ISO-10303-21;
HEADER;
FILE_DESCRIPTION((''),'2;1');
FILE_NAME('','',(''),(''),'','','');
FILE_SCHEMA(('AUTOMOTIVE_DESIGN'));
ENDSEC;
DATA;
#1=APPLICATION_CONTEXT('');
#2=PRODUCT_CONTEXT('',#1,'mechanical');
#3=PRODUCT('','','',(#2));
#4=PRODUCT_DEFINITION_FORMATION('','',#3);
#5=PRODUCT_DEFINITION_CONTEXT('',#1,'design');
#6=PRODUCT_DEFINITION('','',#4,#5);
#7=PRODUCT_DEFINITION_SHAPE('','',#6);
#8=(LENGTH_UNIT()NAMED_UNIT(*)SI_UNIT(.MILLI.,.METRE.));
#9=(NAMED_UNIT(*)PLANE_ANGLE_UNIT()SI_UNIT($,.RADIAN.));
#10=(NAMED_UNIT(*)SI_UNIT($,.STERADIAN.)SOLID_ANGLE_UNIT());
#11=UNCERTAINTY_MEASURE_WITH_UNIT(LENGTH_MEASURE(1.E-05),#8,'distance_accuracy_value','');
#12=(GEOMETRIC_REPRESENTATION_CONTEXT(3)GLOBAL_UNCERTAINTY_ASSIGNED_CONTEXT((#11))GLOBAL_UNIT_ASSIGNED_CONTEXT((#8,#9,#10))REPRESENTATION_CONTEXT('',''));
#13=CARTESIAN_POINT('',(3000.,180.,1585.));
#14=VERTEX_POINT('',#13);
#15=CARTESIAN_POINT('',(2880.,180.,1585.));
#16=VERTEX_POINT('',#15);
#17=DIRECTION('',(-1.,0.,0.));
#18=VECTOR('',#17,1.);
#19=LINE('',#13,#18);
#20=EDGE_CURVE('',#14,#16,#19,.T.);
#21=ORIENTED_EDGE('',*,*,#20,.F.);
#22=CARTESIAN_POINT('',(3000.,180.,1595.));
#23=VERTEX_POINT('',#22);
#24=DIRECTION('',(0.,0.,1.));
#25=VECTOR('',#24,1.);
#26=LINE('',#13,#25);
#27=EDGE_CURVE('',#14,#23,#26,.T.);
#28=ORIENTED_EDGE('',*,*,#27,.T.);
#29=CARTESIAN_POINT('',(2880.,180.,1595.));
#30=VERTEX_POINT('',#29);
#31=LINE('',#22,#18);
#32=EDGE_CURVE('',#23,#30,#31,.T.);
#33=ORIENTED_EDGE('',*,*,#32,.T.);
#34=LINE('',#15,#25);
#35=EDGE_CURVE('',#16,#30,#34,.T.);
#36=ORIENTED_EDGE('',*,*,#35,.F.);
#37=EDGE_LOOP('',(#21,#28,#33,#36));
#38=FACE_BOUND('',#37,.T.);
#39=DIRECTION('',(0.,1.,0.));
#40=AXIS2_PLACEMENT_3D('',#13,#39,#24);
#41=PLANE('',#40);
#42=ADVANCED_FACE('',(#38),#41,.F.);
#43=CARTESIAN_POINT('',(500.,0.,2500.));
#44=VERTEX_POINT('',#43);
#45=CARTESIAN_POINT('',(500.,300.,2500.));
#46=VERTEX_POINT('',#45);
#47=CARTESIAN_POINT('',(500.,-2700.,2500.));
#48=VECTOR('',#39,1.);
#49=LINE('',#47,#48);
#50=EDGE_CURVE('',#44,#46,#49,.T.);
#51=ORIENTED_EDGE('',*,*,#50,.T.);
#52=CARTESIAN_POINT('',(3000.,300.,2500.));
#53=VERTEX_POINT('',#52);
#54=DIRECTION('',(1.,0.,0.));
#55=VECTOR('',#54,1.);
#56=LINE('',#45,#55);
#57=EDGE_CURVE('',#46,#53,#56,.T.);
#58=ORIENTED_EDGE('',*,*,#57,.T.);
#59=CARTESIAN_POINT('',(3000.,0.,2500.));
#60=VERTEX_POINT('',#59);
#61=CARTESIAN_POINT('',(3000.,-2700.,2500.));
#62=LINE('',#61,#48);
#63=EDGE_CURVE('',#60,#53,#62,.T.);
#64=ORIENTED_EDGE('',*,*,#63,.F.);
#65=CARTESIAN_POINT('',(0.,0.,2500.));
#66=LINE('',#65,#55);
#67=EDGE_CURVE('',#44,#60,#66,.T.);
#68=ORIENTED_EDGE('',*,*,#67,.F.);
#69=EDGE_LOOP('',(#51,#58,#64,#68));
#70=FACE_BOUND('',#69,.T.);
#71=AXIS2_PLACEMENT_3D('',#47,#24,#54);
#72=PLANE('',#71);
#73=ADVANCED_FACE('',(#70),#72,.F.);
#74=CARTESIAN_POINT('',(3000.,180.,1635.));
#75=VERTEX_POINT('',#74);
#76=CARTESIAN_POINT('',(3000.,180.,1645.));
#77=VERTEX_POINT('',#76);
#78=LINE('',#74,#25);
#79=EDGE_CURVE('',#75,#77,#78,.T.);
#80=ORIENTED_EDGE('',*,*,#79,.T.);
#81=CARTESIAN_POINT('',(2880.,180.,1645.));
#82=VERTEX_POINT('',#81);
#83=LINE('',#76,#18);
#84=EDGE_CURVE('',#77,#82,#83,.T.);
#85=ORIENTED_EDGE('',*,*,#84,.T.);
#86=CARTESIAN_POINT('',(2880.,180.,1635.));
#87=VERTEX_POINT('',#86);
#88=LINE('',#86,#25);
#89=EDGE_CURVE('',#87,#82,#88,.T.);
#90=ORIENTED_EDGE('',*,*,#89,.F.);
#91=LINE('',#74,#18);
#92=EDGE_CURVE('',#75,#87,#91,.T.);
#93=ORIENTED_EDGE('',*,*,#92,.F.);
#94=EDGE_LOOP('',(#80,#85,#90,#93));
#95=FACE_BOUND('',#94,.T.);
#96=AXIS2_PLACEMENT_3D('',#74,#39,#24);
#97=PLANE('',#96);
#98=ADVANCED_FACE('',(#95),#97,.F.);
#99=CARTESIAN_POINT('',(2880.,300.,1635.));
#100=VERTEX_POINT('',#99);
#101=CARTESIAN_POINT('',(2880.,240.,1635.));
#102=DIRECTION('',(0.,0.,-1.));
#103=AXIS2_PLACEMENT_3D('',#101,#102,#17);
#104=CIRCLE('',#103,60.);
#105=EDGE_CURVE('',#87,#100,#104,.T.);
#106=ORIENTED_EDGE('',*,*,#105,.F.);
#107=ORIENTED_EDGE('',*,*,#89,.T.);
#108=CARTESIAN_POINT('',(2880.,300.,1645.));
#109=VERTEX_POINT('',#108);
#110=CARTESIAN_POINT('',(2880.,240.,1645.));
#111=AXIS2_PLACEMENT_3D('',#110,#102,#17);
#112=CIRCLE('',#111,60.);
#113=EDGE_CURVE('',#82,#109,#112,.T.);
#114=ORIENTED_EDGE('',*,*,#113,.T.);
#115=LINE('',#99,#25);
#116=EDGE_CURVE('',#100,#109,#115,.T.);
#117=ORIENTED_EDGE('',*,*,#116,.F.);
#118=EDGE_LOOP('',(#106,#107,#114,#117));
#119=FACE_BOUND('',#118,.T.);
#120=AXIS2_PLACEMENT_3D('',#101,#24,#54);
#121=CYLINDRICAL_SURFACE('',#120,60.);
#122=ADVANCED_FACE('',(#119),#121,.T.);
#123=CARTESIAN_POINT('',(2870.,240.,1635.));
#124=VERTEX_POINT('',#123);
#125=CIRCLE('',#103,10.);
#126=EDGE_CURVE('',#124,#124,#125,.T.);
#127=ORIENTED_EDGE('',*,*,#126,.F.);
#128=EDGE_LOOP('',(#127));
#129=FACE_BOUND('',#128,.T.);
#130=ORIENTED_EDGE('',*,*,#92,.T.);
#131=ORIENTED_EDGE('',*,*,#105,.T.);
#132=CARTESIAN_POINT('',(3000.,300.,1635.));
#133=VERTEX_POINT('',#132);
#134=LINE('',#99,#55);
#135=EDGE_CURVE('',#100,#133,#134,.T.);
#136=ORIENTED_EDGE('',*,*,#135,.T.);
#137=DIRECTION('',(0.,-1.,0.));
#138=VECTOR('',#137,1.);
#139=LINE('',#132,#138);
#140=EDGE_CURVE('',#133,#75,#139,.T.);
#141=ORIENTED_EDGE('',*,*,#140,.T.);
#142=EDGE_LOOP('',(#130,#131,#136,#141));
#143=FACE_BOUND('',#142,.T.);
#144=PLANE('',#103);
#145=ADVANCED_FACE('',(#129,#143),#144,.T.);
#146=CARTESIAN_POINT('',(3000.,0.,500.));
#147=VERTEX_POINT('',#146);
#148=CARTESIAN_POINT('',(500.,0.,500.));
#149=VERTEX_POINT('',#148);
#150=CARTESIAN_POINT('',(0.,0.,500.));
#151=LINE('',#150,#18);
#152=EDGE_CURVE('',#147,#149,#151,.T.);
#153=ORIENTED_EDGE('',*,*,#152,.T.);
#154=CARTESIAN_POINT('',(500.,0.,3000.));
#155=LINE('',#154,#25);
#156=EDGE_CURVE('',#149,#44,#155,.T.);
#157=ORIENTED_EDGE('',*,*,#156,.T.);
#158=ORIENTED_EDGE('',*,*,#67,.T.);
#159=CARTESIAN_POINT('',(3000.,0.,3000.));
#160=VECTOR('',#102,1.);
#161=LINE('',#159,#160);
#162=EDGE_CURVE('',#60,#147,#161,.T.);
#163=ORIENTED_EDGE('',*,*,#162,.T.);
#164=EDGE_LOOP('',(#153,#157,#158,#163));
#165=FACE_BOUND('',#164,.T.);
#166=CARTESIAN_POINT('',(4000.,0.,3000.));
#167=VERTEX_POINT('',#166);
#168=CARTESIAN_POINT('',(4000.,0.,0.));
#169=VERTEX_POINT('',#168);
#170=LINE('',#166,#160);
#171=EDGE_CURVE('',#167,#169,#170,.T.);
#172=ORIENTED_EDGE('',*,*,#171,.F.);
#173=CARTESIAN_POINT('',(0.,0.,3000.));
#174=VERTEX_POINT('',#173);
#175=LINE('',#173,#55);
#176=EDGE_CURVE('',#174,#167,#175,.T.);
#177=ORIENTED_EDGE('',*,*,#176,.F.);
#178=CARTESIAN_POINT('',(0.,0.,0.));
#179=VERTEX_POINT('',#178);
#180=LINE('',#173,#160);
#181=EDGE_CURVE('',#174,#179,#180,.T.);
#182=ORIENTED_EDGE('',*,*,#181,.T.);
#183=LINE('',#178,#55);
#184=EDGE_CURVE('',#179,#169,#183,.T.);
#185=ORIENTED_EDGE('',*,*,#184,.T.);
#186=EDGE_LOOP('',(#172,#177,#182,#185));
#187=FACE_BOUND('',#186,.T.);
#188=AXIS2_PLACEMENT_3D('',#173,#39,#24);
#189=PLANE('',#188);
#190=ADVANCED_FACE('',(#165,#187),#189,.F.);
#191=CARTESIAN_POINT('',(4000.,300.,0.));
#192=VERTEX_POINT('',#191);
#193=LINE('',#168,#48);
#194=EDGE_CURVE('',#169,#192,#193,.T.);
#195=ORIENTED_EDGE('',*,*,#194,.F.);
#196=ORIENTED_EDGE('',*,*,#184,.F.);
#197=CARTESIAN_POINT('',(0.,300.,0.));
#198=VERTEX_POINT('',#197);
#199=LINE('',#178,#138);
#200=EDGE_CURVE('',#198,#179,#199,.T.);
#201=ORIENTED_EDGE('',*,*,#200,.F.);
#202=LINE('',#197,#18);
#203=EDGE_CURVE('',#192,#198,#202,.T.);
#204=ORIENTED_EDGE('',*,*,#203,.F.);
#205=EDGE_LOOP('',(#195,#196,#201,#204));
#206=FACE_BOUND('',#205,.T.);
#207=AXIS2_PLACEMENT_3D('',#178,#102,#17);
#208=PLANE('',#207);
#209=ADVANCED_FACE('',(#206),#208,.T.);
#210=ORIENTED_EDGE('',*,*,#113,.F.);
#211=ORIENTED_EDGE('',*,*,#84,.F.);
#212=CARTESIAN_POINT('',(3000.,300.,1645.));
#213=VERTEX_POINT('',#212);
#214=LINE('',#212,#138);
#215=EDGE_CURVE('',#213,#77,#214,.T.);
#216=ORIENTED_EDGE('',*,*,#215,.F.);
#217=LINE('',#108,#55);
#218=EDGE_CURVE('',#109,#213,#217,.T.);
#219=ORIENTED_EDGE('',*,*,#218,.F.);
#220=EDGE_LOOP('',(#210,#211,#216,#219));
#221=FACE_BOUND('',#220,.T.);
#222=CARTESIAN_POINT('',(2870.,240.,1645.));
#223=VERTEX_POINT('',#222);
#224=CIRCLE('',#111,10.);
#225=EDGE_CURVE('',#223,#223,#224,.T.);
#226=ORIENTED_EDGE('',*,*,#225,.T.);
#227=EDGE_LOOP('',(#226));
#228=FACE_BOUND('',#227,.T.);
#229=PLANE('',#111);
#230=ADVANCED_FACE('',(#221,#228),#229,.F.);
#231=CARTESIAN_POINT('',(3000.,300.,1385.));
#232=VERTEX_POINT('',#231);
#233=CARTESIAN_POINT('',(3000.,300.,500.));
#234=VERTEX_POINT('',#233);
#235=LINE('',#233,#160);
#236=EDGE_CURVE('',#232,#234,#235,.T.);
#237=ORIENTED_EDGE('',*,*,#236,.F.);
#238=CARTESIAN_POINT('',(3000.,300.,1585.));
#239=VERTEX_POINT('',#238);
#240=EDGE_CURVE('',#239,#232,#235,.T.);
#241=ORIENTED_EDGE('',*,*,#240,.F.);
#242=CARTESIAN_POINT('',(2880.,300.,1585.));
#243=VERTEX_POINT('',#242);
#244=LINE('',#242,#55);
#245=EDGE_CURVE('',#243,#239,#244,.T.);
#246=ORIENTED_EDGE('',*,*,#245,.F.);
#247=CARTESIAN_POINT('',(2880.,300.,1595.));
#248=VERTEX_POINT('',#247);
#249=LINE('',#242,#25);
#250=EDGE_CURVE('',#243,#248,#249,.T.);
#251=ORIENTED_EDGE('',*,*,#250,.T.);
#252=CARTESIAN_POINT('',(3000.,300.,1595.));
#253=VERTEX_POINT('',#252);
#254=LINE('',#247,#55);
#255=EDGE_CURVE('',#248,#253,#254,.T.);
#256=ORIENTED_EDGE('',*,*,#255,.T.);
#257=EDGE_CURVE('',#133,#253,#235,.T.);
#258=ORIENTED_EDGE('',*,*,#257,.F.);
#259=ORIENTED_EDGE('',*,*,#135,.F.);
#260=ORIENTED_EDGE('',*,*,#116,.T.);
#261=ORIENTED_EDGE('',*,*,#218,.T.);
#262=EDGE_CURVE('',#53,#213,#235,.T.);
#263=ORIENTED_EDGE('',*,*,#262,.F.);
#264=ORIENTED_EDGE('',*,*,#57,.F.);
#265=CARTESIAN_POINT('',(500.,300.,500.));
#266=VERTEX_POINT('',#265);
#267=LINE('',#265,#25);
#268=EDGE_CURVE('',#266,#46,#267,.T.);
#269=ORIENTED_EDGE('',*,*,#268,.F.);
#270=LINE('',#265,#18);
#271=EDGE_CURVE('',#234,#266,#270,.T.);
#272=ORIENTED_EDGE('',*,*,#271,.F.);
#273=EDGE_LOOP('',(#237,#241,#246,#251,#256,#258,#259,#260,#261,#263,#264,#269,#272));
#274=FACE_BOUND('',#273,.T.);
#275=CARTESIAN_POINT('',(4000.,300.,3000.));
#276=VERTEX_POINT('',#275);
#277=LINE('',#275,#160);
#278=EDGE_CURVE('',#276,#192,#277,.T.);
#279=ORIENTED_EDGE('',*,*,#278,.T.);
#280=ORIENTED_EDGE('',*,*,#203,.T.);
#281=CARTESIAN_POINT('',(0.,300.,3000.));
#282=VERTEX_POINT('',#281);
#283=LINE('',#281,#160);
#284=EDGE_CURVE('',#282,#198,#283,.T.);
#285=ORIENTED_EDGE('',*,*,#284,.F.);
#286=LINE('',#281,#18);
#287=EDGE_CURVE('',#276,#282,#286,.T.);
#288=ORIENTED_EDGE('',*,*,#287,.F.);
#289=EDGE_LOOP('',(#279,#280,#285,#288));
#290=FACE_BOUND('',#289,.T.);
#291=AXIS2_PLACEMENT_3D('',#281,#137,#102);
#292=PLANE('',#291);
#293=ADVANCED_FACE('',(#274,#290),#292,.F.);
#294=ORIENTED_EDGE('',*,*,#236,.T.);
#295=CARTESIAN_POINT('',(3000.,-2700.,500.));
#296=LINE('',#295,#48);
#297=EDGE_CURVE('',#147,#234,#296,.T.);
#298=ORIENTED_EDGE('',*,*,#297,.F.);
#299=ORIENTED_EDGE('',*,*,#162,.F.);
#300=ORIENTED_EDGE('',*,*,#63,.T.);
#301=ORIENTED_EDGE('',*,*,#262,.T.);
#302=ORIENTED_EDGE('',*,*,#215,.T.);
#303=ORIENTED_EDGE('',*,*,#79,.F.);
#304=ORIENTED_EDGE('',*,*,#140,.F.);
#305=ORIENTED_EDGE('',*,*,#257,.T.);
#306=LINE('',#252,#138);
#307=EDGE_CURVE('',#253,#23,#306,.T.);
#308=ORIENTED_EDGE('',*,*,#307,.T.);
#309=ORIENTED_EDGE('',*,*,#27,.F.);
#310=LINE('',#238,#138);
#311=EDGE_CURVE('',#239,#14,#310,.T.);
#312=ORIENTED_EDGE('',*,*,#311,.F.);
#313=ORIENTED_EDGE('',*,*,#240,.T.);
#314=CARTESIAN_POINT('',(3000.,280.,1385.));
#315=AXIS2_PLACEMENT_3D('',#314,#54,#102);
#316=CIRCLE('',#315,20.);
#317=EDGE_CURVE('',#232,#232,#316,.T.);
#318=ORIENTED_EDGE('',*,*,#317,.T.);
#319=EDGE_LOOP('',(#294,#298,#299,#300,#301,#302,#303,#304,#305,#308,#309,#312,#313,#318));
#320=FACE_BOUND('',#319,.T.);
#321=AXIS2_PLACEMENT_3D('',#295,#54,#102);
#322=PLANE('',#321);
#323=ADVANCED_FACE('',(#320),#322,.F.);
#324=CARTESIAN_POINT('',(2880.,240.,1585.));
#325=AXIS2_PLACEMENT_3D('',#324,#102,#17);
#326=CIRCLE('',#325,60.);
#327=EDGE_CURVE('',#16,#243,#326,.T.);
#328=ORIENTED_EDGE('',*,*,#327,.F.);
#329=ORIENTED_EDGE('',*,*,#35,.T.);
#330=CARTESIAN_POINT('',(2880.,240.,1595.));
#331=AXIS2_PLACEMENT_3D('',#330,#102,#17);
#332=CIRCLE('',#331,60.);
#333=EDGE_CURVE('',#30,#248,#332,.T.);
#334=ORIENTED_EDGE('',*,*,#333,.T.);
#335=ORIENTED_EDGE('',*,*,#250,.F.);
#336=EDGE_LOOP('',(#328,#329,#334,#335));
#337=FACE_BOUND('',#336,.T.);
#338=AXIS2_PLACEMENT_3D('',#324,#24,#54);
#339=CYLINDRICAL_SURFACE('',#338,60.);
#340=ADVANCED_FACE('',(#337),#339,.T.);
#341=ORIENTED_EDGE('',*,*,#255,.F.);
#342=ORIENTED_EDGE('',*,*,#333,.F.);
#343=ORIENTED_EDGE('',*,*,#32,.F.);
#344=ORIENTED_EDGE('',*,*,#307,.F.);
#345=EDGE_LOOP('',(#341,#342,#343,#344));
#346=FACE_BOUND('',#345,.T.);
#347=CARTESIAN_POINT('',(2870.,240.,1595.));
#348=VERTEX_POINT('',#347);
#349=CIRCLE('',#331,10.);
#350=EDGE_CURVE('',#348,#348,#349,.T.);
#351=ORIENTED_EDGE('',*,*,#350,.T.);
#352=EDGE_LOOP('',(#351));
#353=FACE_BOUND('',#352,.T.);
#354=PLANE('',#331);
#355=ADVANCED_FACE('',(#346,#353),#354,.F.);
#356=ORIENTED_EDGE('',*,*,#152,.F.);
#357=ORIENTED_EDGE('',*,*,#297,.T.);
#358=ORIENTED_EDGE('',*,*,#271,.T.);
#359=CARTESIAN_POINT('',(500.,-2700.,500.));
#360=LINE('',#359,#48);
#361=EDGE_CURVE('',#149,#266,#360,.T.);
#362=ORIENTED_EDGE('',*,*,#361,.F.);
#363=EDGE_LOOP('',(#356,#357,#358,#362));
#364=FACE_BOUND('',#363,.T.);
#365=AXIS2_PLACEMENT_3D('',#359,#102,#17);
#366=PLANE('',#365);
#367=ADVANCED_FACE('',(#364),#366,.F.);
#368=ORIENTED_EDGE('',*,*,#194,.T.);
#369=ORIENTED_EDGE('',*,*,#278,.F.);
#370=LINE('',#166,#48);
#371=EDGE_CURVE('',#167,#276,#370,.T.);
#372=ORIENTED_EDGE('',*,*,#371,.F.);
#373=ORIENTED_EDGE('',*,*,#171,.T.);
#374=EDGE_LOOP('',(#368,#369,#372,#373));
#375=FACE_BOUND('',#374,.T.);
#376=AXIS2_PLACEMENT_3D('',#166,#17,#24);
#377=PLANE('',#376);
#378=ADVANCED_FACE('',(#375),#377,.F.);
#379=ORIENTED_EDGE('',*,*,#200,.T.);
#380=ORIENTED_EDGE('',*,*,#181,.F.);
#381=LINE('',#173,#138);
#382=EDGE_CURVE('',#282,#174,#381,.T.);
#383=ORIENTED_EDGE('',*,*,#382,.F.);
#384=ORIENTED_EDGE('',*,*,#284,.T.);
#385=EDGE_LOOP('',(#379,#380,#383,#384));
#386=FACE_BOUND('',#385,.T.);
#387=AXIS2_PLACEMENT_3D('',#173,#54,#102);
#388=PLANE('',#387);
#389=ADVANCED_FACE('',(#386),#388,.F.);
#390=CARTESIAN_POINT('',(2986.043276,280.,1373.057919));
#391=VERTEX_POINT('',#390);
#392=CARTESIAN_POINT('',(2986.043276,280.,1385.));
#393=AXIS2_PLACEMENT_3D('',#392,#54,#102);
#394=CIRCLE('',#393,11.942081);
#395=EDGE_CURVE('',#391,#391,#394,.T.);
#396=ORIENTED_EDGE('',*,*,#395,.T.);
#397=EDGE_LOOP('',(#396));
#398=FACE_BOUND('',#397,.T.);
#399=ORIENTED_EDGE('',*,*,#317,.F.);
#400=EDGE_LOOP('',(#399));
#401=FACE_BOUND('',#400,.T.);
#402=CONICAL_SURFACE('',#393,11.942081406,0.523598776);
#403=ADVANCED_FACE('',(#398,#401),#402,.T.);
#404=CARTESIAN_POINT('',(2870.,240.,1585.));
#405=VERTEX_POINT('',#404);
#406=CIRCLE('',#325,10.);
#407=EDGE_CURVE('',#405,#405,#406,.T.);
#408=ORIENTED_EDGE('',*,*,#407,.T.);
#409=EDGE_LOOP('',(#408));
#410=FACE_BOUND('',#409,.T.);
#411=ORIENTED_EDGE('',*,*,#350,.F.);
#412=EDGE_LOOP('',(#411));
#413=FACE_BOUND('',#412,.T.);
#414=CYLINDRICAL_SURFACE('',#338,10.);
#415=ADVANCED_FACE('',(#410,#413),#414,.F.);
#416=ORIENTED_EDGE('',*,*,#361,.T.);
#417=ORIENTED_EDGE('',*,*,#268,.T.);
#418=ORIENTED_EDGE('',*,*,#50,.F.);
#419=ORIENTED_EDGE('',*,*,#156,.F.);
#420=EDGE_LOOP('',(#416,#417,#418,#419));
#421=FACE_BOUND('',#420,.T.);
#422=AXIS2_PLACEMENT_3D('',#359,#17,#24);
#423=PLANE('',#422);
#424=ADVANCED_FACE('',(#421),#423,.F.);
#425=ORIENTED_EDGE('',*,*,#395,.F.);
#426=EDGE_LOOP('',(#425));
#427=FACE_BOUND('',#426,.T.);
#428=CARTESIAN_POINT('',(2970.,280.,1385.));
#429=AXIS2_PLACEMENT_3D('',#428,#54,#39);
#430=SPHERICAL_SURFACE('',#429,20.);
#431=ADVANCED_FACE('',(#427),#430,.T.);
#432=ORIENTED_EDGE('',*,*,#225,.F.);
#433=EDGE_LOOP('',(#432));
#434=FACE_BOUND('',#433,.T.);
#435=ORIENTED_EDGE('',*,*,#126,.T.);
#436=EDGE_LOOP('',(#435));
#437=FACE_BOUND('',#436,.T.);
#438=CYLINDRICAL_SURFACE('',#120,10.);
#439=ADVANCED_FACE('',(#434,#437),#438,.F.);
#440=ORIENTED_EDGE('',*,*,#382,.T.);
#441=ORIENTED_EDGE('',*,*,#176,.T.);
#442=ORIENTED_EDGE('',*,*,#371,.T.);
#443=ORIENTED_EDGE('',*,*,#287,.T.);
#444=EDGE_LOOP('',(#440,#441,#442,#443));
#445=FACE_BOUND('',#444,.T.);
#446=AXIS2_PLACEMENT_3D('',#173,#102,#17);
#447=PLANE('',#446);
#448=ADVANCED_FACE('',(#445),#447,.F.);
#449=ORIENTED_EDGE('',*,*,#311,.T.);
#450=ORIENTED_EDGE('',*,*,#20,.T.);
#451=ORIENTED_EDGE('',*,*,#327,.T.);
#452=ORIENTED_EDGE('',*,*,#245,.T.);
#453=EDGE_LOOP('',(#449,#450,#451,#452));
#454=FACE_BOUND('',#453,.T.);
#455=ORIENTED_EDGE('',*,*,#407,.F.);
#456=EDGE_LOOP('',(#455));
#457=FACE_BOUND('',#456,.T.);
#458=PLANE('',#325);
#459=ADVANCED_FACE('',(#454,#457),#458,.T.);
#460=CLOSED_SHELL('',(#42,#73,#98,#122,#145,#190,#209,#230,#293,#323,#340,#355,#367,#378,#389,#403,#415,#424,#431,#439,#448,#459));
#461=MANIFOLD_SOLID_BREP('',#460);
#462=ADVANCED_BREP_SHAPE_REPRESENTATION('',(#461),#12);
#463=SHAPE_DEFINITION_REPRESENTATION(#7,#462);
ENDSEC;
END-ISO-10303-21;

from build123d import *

# Parameters (mm, degrees)
SKETCH1_W           = 4000
SKETCH1_H           = 300
BOSS_EXTRUDE1_DEPTH = 3000
SKETCH3_W           = 2500
SKETCH3_H           = 2000
CUT_EXTRUDE1_DEPTH  = 3000
SKETCH6_R           = 10
BOSS_EXTRUDE2_DEPTH = 10
SKETCH7_R           = 10
BOSS_EXTRUDE3_DEPTH = 10


with BuildPart() as part:
    # Sketch1 → Boss-Extrude1 (new body)
    with BuildSketch(Plane.XY):
        with Locations((2000, 150)):
            Rectangle(SKETCH1_W, SKETCH1_H)
    extrude(amount=BOSS_EXTRUDE1_DEPTH)

    # Sketch3 → Cut-Extrude1 (cut)
    with BuildSketch(Plane(origin=(0, 300, 0), x_dir=(1, 0, 0), z_dir=(0, 1, 0))):
        with Locations((1750, -1500)):
            Rectangle(SKETCH3_W, SKETCH3_H)
    extrude(amount=-CUT_EXTRUDE1_DEPTH, mode=Mode.SUBTRACT)

    # Sketch6 → Boss-Extrude2 (add)
    with BuildSketch(Plane(origin=(0, 0, 1645), x_dir=(-1, 0, 0), z_dir=(0, 0, -1))):
        with BuildLine():
            Line((-3000, 300), (-3000, 180))
            Line((-3000, 180), (-2880, 180))
            ThreePointArc((-2880, 180), (-2820, 240), (-2880, 300))
            Line((-2880, 300), (-3000, 300))
        make_face()
        with Locations((-2880, 240)):
            Circle(SKETCH6_R, mode=Mode.SUBTRACT)
    extrude(amount=BOSS_EXTRUDE2_DEPTH)

    # Sketch7 → Boss-Extrude3 (add)
    with BuildSketch(Plane(origin=(0, 0, 1595), x_dir=(-1, 0, 0), z_dir=(0, 0, -1))):
        with BuildLine():
            Line((-3000, 300), (-3000, 180))
            Line((-3000, 180), (-2880, 180))
            ThreePointArc((-2880, 180), (-2820, 240), (-2880, 300))
            Line((-2880, 300), (-3000, 300))
        make_face()
        with Locations((-2880, 240)):
            Circle(SKETCH7_R, mode=Mode.SUBTRACT)
    extrude(amount=BOSS_EXTRUDE3_DEPTH)

    # Sketch8 → Revolve1 (revolve)
    with BuildSketch(Plane(origin=(0, 0, 1385), x_dir=(-1, 0, 0), z_dir=(0, 0, -1)), mode=Mode.PRIVATE) as revolve1_sk:
        with BuildLine():
            Line((-3000, 300), (-3000, 280))
            Line((-3000, 280), (-2950, 280))
            ThreePointArc((-2950, 280), (-2963.709750078, 298.985066655), (-2986.043275591, 291.942081406))
            Line((-2986.043275591, 291.942081406), (-3000, 300))
        make_face()
    revolve(revolve1_sk.sketch.rotate(Axis((3000, 280, 1385), (-1, 0, 0)), 90), axis=Axis((3000, 280, 1385), (-1, 0, 0)))


solid = part.part
